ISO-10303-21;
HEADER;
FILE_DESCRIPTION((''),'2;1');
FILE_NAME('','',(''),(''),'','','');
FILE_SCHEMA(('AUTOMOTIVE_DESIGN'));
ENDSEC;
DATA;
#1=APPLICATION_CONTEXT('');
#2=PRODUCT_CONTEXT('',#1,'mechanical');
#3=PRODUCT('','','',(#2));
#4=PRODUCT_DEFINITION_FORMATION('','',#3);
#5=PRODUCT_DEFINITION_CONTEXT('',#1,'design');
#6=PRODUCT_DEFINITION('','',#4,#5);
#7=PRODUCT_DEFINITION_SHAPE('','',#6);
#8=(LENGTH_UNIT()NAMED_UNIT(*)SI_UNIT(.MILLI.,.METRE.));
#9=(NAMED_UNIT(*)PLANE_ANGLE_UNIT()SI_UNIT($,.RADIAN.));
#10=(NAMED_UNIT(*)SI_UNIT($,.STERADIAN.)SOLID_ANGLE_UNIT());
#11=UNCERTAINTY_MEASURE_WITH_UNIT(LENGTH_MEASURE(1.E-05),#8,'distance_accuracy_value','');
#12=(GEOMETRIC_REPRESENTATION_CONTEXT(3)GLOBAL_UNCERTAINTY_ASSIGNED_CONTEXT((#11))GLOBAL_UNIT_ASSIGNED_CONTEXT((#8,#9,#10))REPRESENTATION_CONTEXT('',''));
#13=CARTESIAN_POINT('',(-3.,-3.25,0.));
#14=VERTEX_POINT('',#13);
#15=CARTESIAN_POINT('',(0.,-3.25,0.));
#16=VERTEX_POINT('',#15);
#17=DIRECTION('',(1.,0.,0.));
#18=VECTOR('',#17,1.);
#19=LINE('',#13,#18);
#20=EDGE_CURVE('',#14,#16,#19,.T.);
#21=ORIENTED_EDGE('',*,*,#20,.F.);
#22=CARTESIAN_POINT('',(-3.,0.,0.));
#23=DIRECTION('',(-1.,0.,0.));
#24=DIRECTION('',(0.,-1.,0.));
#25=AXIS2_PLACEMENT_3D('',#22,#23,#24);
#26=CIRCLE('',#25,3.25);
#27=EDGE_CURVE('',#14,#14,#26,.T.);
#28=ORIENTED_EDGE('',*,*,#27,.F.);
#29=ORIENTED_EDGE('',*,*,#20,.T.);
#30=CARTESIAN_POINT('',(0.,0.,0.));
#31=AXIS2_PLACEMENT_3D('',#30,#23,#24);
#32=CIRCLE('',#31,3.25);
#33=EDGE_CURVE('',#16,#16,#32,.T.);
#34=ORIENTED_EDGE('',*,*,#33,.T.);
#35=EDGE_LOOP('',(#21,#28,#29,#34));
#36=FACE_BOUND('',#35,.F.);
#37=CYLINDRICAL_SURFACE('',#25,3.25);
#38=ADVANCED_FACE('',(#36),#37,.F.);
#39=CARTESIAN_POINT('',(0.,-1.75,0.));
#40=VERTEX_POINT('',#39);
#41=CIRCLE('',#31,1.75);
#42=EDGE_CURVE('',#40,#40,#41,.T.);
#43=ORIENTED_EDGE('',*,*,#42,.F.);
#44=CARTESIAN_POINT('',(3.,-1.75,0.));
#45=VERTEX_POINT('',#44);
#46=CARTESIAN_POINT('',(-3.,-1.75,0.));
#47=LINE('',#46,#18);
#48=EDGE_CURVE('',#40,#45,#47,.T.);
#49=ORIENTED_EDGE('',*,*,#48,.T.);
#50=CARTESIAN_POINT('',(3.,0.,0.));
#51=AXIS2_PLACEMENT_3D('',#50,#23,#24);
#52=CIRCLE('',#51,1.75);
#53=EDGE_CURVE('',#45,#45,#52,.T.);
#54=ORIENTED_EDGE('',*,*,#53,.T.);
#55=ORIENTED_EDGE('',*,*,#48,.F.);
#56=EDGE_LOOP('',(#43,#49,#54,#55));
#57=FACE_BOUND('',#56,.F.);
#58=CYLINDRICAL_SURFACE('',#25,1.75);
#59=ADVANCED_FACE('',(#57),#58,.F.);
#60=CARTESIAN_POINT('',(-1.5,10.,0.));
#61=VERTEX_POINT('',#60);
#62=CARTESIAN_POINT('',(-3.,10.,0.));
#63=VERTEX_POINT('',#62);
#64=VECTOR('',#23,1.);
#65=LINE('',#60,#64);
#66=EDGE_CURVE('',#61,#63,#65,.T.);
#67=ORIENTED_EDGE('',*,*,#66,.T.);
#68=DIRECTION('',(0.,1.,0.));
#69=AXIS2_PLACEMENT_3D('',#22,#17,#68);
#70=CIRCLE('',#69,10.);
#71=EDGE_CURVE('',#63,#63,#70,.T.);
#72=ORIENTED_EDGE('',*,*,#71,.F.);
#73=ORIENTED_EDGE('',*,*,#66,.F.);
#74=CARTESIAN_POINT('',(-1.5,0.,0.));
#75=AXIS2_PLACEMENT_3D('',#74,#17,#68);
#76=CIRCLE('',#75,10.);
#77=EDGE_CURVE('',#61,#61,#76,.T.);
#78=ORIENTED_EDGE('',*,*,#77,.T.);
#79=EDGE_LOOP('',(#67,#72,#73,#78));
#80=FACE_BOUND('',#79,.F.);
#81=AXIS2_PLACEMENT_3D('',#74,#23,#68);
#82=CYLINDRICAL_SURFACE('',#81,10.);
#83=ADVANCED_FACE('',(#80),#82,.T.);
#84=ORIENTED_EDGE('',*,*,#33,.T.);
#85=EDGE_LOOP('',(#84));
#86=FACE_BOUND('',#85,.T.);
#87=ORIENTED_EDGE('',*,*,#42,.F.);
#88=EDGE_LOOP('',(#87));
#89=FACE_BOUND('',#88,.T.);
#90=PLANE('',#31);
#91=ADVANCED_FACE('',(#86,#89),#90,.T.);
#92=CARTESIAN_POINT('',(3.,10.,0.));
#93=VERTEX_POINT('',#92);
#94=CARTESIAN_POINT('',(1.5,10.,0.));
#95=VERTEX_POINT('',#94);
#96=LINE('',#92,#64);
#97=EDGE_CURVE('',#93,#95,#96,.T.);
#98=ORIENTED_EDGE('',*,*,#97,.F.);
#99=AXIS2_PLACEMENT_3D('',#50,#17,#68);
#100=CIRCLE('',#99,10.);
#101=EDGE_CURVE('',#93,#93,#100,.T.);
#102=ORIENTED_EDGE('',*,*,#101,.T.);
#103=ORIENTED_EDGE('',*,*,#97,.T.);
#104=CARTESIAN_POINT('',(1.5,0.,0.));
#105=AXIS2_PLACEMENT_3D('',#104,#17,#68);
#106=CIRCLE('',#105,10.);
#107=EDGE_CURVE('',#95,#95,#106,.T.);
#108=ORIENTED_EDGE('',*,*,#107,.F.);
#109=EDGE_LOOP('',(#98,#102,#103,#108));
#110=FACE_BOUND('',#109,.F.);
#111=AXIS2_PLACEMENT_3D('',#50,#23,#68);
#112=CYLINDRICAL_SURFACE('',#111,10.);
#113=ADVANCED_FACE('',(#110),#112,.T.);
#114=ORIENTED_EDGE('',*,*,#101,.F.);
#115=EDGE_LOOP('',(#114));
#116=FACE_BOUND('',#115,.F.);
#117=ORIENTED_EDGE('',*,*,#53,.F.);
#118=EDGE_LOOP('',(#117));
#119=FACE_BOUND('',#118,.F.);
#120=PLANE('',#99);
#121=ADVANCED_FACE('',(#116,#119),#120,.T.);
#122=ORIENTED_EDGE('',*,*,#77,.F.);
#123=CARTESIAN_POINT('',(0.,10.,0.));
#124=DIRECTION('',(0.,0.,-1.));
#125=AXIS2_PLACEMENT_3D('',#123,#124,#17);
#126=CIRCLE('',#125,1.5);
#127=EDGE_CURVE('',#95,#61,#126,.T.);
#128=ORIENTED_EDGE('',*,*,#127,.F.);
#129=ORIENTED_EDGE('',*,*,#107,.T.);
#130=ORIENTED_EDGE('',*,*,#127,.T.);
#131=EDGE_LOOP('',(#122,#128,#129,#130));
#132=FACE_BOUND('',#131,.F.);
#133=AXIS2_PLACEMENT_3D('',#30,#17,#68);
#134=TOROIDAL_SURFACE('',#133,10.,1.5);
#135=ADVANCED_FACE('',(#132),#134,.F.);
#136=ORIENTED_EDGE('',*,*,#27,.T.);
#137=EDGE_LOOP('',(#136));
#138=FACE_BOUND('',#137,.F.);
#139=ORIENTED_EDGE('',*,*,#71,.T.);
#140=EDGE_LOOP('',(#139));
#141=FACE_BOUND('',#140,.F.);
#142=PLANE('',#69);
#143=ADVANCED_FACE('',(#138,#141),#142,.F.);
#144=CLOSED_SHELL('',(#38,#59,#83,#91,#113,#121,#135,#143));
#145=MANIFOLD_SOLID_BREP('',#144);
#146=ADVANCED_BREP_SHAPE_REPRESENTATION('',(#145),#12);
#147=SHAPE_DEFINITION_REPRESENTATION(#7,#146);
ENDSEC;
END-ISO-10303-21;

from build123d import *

# Parameters (mm, degrees)
F3_R     = 1.75
F4_DEPTH = 6
F5_R     = 3.25
F6_DEPTH = 3


with BuildPart() as f1:
    # F0 (on Top) → F1 (revolve)
    with BuildSketch(Plane.XY):
        with BuildLine():
            Line((-3, 0), (3, 0))
            Line((3, 0), (3, 10))
            Line((3, 10), (1.5, 10))
            ThreePointArc((1.5, 10), (0, 8.5), (-1.5, 10))
            Line((-1.5, 10), (-3, 10))
            Line((-3, 10), (-3, 0))
        make_face()
    revolve(axis=Axis((0, 0, 0), (1, 0, 0)))

    # F3 (on offset) → F4 (cut, through all)
    with BuildSketch(Plane(origin=(-3, 0, 0), x_dir=(0, -1, 0), z_dir=(-1, 0, 0))):
        Circle(F3_R)
    extrude(amount=-F4_DEPTH, mode=Mode.SUBTRACT)

    # F5 (on offset) → F6 (cut)
    with BuildSketch(Plane(origin=(-3, 0, 0), x_dir=(0, -1, 0), z_dir=(-1, 0, 0))):
        Circle(F5_R)
    extrude(amount=-F6_DEPTH, mode=Mode.SUBTRACT)


solid = f1.part
